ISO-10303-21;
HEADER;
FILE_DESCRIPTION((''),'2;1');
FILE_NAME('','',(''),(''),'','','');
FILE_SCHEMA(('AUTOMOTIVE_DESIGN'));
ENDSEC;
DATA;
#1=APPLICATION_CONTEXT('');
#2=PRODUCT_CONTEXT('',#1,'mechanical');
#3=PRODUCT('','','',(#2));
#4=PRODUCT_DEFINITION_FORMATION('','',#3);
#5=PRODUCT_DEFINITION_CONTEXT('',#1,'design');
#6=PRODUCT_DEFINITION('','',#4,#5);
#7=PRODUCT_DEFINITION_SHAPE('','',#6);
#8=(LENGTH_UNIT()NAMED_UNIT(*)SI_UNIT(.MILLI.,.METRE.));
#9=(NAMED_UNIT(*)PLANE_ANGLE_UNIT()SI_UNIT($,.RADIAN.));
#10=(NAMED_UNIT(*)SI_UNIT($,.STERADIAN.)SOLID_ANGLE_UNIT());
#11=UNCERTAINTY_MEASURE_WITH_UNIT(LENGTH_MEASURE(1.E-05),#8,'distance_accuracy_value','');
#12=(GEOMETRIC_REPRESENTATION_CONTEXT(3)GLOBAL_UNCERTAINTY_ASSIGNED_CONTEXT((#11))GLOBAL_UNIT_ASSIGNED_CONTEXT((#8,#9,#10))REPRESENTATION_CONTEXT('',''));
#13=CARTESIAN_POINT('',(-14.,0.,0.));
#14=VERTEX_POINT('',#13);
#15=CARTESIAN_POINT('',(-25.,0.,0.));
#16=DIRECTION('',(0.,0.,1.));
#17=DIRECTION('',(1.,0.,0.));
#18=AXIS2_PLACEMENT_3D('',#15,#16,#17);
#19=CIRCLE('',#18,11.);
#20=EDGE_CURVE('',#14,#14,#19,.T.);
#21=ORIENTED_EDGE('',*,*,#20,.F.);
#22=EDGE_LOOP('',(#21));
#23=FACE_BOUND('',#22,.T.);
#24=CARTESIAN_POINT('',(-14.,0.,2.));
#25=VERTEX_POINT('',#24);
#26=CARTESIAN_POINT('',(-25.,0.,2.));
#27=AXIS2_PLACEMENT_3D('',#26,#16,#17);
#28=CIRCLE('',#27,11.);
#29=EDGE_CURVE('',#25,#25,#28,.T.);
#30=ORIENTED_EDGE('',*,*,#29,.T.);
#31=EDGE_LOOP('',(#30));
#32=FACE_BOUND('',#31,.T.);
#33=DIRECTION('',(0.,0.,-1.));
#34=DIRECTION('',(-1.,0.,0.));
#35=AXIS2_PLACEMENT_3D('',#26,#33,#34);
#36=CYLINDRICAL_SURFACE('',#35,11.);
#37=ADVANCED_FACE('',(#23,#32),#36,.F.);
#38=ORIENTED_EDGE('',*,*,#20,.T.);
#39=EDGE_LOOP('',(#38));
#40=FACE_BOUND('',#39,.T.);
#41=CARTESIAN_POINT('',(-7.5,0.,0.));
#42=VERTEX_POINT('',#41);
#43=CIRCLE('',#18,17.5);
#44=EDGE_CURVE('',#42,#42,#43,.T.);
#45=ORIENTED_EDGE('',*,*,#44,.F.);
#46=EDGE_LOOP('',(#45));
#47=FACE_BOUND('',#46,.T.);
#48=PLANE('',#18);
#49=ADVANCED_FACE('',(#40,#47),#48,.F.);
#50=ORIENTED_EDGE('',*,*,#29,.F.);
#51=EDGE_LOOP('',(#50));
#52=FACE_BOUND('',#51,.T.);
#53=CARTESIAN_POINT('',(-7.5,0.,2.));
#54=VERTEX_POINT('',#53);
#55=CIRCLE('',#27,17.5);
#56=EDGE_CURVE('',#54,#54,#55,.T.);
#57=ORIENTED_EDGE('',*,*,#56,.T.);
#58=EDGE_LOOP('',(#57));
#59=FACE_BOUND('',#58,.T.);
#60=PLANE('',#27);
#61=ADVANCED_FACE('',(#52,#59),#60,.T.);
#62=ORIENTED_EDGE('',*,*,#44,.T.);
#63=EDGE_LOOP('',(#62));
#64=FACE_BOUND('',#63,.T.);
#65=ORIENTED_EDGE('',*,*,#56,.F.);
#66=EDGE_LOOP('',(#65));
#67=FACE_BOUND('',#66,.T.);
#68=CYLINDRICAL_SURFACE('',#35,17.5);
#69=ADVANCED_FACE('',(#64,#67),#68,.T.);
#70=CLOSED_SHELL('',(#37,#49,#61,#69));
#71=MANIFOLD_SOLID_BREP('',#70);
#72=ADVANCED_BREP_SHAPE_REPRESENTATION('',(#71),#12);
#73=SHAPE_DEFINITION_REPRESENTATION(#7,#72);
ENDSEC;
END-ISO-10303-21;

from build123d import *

# Parameters (mm, degrees)
SKETCH_1_R      = 17.5
SKETCH_1_R_2    = 11
EXTRUDE_1_DEPTH = 2


with BuildPart() as part:
    # Эскиз1 → Бобышка-Вытянуть1 (new body)
    with BuildSketch(Plane.XY):
        with Locations((-25, 0)):
            Circle(SKETCH_1_R)
        with Locations((-25, 0)):
            Circle(SKETCH_1_R_2, mode=Mode.SUBTRACT)
    extrude(amount=EXTRUDE_1_DEPTH)


solid = part.part
